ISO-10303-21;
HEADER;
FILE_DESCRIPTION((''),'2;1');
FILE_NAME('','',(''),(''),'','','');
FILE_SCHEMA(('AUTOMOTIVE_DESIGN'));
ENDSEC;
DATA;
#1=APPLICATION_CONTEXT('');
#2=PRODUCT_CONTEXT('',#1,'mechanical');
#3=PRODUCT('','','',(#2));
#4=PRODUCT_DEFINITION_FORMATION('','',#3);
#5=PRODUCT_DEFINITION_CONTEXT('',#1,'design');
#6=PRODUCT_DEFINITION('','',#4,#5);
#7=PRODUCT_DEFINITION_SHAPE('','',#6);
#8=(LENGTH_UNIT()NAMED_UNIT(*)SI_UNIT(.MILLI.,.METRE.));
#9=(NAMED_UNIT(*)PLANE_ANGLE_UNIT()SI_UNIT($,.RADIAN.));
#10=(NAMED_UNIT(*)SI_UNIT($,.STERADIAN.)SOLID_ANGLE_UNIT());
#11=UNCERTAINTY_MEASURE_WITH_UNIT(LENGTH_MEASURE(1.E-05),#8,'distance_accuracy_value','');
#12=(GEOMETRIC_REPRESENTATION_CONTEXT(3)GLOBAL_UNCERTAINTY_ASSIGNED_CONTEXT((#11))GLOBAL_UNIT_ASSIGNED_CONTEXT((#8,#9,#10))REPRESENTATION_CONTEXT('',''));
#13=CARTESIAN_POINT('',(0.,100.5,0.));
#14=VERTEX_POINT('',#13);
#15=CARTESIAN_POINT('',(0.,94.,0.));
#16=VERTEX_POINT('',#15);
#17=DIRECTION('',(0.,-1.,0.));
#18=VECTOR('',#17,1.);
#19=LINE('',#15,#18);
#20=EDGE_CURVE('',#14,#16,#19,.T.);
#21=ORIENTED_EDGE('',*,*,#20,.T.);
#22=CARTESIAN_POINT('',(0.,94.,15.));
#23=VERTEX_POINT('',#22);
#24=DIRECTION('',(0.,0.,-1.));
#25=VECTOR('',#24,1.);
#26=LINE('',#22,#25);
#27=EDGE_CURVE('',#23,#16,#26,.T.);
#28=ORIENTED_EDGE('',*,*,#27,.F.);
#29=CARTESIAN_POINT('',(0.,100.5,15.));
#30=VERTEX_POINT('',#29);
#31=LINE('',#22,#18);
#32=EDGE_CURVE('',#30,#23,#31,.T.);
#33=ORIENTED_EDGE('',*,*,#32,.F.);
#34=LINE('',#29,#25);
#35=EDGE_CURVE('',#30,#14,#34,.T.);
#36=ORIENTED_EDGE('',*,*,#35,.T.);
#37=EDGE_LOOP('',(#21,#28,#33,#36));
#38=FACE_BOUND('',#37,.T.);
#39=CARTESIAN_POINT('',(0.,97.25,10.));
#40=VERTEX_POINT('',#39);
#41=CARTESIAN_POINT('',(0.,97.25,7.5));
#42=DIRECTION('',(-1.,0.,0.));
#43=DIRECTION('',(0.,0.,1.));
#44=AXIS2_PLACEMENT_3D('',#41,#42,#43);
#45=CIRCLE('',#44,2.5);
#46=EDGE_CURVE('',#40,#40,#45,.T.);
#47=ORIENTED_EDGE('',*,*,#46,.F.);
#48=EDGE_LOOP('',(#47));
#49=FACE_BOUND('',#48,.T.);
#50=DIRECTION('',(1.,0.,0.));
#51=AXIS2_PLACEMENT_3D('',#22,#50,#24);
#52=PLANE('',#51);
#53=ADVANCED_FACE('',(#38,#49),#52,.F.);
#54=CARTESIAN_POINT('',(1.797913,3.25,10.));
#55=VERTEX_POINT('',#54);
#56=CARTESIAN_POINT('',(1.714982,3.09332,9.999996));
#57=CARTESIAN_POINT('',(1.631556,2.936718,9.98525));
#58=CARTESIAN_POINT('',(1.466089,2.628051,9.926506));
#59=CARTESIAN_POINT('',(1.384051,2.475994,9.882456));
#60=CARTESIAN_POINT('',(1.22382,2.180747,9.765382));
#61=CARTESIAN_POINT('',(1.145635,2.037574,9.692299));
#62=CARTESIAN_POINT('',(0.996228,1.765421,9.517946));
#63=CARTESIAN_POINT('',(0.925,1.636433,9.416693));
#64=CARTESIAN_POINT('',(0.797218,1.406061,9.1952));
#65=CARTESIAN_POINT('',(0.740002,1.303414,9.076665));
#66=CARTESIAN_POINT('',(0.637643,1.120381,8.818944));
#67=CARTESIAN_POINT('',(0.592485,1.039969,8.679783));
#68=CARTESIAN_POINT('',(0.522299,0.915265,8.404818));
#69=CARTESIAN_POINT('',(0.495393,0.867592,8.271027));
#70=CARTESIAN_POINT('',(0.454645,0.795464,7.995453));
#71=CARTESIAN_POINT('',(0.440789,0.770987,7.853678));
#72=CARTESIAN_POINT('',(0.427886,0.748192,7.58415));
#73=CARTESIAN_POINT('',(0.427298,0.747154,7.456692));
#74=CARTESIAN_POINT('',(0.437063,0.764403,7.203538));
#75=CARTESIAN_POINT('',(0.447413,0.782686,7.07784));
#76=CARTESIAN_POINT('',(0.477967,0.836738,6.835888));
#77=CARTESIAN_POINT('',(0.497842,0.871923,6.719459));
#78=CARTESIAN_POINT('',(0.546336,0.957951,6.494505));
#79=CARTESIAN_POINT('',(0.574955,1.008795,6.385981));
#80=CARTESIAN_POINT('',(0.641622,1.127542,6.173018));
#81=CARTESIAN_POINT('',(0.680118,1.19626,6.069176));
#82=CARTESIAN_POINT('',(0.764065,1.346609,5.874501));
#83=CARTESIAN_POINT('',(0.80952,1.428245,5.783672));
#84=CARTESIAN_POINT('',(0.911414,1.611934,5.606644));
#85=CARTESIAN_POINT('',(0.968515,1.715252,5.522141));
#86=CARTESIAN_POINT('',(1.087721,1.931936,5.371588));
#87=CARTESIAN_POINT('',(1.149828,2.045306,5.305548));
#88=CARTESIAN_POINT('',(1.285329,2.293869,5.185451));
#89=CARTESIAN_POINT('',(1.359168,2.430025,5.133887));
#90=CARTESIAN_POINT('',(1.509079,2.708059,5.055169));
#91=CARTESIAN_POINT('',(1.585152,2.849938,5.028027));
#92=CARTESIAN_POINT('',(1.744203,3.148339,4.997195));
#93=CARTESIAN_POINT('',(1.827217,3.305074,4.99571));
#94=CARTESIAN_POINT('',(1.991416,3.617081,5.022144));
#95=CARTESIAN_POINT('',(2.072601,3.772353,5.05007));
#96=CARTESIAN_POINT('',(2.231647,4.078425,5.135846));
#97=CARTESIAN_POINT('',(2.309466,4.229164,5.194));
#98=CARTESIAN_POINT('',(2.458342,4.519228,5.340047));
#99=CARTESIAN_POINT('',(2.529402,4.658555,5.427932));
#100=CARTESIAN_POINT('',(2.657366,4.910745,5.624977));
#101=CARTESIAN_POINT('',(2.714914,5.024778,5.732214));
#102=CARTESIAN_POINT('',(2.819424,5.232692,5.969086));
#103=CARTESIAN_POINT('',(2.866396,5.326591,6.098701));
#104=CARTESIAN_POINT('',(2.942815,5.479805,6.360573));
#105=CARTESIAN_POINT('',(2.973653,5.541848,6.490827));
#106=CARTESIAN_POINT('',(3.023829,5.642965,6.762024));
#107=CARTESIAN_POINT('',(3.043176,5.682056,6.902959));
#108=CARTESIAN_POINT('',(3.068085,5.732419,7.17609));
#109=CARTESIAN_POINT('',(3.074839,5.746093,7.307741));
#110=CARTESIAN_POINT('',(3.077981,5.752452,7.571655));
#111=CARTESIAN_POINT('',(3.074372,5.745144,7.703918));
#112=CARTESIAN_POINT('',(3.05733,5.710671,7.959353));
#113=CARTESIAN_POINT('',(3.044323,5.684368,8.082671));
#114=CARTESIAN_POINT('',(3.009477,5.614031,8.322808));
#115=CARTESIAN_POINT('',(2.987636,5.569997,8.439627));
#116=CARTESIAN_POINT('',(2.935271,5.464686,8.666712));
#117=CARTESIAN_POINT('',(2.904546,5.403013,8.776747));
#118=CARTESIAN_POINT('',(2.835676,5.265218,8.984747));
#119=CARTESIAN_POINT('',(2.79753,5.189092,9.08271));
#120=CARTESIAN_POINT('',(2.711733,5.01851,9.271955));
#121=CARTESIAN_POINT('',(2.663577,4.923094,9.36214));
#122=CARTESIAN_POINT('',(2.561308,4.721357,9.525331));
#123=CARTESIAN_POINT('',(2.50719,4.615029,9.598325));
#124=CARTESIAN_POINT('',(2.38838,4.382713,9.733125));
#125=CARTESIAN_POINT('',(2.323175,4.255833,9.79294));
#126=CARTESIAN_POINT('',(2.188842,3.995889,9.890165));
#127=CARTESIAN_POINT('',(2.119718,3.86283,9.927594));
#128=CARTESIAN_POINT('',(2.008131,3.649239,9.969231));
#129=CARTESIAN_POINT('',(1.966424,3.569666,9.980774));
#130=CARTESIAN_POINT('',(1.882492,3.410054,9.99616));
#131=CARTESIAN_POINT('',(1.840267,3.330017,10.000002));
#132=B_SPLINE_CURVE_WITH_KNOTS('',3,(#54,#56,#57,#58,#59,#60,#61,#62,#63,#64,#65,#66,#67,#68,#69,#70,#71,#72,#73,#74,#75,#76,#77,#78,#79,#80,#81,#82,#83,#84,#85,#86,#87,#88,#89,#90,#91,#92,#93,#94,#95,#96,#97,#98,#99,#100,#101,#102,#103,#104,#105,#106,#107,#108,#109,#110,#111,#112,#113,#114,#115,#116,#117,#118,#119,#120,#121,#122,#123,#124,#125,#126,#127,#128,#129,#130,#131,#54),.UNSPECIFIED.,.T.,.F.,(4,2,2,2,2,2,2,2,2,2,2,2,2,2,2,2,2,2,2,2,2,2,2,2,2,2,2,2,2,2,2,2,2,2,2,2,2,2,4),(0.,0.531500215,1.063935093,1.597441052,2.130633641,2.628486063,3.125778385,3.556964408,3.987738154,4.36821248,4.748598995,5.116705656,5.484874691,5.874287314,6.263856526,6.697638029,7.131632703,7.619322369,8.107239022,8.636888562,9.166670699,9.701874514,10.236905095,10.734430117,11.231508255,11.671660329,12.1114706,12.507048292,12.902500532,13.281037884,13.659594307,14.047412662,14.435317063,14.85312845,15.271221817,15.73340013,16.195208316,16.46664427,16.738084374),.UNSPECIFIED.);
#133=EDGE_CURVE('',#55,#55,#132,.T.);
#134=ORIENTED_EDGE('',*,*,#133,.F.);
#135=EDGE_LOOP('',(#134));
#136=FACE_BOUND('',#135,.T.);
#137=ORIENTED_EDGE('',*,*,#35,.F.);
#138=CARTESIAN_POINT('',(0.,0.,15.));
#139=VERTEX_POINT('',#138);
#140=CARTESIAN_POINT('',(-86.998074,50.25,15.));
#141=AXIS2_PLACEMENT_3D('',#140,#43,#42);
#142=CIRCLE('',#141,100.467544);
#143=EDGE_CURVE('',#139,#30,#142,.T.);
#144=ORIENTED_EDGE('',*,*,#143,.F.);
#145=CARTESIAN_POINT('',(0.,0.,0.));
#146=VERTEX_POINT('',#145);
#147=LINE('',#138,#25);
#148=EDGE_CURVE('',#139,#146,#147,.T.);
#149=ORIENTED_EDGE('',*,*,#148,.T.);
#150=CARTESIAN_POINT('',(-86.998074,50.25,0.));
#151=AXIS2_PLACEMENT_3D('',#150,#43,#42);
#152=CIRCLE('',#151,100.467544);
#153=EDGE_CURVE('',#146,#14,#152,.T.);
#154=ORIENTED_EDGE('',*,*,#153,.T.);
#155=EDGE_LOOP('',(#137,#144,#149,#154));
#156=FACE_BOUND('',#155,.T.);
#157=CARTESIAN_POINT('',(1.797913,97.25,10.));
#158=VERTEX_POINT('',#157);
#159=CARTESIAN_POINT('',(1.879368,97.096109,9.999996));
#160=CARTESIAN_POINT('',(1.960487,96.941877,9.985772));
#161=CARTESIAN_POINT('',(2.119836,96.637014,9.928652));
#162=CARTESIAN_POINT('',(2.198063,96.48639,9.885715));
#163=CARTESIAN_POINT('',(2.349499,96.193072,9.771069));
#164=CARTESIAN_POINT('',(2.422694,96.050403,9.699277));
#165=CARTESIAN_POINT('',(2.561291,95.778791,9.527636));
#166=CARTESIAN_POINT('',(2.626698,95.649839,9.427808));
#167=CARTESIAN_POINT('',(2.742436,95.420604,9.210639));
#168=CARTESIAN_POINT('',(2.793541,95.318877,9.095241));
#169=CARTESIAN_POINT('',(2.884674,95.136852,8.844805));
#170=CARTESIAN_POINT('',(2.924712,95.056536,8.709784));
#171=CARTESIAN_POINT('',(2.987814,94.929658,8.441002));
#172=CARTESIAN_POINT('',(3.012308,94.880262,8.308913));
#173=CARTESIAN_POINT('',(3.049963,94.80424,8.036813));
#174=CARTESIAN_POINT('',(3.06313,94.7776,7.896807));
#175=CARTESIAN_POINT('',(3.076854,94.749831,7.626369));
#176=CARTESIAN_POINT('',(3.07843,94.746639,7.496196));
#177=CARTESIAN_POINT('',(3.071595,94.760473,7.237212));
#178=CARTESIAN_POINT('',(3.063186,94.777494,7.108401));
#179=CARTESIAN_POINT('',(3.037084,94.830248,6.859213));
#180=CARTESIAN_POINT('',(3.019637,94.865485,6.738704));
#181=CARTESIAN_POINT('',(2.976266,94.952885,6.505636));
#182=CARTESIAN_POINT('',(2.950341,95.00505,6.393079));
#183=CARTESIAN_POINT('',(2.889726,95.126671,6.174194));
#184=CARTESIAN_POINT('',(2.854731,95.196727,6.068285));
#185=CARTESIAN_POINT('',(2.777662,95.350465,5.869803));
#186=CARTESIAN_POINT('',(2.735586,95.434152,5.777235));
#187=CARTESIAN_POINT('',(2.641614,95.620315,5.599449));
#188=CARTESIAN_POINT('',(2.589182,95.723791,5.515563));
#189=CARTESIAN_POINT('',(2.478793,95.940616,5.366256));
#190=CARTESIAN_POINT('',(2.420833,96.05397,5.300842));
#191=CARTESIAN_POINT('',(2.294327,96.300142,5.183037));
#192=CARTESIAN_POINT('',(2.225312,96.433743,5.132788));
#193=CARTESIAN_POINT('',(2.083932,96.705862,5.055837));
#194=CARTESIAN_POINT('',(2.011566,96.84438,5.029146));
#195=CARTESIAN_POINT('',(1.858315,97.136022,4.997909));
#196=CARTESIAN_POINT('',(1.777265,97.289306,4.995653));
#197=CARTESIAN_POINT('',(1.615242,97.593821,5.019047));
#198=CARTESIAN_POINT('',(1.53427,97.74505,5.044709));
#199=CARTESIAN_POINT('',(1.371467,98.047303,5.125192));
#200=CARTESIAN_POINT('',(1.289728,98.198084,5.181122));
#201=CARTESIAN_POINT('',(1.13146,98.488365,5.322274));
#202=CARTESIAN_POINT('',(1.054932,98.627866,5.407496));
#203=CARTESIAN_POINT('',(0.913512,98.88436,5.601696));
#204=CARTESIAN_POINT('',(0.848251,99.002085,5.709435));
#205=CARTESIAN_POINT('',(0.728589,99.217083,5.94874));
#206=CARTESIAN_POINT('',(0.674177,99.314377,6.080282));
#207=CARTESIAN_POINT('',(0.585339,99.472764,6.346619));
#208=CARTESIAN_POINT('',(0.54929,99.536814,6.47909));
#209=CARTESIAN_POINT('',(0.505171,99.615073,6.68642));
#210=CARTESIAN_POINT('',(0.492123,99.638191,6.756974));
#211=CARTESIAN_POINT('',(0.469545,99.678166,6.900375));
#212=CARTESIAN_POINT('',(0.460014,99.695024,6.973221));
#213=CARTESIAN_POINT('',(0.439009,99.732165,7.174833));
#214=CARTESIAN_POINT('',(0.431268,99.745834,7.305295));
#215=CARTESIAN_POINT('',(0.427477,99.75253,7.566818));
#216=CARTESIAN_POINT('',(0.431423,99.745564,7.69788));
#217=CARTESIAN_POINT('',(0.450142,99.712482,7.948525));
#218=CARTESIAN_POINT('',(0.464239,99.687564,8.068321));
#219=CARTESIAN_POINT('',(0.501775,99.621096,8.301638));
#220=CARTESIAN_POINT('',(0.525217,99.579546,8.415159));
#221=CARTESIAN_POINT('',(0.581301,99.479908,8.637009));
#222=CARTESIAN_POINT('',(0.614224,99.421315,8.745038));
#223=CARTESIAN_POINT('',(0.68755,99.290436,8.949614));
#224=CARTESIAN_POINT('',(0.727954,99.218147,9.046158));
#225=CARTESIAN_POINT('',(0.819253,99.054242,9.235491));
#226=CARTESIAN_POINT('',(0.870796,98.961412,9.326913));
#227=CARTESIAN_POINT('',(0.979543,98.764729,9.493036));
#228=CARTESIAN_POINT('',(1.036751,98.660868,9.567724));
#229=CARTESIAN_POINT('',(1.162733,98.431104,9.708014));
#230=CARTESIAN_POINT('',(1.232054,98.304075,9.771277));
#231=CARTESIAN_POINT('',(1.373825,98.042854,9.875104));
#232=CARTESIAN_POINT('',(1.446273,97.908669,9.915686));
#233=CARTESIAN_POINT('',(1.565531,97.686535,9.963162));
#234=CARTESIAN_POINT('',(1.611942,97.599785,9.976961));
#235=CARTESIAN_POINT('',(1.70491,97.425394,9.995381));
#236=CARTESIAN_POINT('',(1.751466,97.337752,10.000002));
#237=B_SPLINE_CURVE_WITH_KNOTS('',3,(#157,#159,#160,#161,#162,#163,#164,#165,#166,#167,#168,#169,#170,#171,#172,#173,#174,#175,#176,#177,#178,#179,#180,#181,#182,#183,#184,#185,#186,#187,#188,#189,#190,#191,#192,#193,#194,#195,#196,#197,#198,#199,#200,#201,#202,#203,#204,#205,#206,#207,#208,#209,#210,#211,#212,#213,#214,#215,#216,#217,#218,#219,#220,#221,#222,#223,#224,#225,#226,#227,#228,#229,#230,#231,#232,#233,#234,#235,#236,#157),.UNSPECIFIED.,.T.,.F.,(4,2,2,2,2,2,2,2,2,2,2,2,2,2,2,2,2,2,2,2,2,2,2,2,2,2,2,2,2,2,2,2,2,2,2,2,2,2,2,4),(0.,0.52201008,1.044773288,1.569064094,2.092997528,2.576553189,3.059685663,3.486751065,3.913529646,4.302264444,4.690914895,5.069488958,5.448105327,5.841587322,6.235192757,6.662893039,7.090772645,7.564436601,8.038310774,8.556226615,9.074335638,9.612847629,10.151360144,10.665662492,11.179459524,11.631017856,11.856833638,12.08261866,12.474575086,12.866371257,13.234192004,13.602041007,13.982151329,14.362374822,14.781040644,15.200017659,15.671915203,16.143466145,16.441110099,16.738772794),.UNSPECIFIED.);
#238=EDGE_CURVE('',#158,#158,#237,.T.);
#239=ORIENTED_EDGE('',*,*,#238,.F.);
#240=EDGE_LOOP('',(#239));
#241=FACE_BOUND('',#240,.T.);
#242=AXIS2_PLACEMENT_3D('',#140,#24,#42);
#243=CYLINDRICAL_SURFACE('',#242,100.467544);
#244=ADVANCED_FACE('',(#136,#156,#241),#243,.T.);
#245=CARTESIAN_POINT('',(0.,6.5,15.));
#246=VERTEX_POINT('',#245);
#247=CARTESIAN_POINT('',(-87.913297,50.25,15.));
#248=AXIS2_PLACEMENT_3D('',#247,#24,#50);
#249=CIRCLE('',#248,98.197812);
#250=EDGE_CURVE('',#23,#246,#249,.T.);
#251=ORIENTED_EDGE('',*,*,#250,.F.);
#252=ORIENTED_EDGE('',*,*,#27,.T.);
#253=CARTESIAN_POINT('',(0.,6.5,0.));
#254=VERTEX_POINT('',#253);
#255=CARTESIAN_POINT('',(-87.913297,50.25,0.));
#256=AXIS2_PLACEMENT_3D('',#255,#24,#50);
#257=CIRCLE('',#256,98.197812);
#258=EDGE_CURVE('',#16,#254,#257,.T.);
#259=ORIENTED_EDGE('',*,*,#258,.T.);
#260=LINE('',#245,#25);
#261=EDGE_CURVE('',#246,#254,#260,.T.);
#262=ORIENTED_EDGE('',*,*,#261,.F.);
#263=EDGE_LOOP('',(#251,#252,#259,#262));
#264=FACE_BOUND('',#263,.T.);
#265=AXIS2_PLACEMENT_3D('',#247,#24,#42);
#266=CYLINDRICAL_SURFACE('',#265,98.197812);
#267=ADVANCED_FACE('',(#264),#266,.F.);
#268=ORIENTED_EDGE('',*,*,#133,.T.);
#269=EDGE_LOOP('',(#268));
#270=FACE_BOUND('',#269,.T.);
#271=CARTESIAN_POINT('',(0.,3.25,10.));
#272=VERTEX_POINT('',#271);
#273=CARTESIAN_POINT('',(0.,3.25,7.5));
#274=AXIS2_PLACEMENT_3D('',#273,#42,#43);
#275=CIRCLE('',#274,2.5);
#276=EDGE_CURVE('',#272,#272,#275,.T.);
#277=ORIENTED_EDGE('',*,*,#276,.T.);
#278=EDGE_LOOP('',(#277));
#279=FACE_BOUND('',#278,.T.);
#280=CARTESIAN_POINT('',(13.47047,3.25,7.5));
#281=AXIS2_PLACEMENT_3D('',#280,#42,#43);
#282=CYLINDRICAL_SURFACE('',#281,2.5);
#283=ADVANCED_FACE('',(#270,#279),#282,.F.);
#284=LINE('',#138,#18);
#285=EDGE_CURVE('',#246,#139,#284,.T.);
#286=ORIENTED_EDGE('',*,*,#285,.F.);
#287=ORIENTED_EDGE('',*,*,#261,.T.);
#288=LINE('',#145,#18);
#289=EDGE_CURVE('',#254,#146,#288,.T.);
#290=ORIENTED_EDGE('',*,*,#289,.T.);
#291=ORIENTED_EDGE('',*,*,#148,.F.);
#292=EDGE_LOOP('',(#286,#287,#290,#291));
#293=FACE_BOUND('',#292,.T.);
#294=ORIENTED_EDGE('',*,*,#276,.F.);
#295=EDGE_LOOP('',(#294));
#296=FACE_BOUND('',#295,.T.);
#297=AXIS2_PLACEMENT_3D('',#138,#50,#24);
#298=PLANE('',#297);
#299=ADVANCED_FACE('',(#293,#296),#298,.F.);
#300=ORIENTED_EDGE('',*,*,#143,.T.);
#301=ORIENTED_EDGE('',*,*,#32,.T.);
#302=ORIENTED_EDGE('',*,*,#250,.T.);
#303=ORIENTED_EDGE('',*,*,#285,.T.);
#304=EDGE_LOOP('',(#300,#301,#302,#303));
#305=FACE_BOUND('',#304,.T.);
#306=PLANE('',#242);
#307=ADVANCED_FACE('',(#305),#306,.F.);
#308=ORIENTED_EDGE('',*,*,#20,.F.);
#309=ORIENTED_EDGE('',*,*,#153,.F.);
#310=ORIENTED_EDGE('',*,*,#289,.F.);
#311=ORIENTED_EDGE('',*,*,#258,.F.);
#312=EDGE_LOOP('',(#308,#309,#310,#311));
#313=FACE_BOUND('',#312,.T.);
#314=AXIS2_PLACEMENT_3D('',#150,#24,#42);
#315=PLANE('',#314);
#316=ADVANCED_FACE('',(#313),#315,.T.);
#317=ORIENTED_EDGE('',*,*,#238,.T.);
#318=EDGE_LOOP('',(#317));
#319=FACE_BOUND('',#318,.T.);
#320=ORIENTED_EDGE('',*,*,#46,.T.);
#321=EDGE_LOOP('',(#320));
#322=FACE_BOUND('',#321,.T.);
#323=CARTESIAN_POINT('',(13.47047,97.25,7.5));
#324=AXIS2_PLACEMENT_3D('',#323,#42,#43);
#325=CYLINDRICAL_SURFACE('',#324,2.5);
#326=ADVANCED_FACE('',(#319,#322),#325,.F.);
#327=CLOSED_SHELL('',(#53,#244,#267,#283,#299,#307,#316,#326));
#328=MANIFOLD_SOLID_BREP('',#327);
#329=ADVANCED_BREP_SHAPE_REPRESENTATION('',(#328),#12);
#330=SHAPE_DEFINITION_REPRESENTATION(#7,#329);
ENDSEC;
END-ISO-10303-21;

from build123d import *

# Parameters (mm, degrees)
BOSS_EXTRUDE1_DEPTH = 15
CUT_EXTRUDE1_REACH  = 15.469
SKETCH2_R           = 2.5


with BuildPart() as part:
    # Sketch1 → Boss-Extrude1 (new body)
    with BuildSketch(Plane.XY):
        with BuildLine():
            Line((0, 0), (0, 6.5))
            ThreePointArc((0, 6.5), (10.284515004, 50.25), (0, 94))
            Line((0, 94), (0, 100.5))
            ThreePointArc((0, 100.5), (13.469469939, 50.25), (0, 0))
        make_face()
    extrude(amount=BOSS_EXTRUDE1_DEPTH)

    # Sketch2 → Cut-Extrude1 (cut, up to next)
    with BuildSketch(Plane.ZY, mode=Mode.PRIVATE) as cut_extrude1_sk1:
        with Locations((7.5, 97.25)):
            Circle(SKETCH2_R)
    cut_extrude1_tool1 = extrude(cut_extrude1_sk1.sketch, amount=-CUT_EXTRUDE1_REACH, mode=Mode.PRIVATE) & part.part
    add(cut_extrude1_tool1.solids().sort_by_distance((0, 97.25, 7.5))[0], mode=Mode.SUBTRACT)
    # Sketch2 → Cut-Extrude1 (cut, up to next)
    with BuildSketch(Plane.ZY, mode=Mode.PRIVATE) as cut_extrude1_sk2:
        with Locations((7.5, 3.25)):
            Circle(SKETCH2_R)
    cut_extrude1_tool2 = extrude(cut_extrude1_sk2.sketch, amount=-CUT_EXTRUDE1_REACH, mode=Mode.PRIVATE) & part.part
    add(cut_extrude1_tool2.solids().sort_by_distance((0, 3.25, 7.5))[0], mode=Mode.SUBTRACT)


solid = part.part
